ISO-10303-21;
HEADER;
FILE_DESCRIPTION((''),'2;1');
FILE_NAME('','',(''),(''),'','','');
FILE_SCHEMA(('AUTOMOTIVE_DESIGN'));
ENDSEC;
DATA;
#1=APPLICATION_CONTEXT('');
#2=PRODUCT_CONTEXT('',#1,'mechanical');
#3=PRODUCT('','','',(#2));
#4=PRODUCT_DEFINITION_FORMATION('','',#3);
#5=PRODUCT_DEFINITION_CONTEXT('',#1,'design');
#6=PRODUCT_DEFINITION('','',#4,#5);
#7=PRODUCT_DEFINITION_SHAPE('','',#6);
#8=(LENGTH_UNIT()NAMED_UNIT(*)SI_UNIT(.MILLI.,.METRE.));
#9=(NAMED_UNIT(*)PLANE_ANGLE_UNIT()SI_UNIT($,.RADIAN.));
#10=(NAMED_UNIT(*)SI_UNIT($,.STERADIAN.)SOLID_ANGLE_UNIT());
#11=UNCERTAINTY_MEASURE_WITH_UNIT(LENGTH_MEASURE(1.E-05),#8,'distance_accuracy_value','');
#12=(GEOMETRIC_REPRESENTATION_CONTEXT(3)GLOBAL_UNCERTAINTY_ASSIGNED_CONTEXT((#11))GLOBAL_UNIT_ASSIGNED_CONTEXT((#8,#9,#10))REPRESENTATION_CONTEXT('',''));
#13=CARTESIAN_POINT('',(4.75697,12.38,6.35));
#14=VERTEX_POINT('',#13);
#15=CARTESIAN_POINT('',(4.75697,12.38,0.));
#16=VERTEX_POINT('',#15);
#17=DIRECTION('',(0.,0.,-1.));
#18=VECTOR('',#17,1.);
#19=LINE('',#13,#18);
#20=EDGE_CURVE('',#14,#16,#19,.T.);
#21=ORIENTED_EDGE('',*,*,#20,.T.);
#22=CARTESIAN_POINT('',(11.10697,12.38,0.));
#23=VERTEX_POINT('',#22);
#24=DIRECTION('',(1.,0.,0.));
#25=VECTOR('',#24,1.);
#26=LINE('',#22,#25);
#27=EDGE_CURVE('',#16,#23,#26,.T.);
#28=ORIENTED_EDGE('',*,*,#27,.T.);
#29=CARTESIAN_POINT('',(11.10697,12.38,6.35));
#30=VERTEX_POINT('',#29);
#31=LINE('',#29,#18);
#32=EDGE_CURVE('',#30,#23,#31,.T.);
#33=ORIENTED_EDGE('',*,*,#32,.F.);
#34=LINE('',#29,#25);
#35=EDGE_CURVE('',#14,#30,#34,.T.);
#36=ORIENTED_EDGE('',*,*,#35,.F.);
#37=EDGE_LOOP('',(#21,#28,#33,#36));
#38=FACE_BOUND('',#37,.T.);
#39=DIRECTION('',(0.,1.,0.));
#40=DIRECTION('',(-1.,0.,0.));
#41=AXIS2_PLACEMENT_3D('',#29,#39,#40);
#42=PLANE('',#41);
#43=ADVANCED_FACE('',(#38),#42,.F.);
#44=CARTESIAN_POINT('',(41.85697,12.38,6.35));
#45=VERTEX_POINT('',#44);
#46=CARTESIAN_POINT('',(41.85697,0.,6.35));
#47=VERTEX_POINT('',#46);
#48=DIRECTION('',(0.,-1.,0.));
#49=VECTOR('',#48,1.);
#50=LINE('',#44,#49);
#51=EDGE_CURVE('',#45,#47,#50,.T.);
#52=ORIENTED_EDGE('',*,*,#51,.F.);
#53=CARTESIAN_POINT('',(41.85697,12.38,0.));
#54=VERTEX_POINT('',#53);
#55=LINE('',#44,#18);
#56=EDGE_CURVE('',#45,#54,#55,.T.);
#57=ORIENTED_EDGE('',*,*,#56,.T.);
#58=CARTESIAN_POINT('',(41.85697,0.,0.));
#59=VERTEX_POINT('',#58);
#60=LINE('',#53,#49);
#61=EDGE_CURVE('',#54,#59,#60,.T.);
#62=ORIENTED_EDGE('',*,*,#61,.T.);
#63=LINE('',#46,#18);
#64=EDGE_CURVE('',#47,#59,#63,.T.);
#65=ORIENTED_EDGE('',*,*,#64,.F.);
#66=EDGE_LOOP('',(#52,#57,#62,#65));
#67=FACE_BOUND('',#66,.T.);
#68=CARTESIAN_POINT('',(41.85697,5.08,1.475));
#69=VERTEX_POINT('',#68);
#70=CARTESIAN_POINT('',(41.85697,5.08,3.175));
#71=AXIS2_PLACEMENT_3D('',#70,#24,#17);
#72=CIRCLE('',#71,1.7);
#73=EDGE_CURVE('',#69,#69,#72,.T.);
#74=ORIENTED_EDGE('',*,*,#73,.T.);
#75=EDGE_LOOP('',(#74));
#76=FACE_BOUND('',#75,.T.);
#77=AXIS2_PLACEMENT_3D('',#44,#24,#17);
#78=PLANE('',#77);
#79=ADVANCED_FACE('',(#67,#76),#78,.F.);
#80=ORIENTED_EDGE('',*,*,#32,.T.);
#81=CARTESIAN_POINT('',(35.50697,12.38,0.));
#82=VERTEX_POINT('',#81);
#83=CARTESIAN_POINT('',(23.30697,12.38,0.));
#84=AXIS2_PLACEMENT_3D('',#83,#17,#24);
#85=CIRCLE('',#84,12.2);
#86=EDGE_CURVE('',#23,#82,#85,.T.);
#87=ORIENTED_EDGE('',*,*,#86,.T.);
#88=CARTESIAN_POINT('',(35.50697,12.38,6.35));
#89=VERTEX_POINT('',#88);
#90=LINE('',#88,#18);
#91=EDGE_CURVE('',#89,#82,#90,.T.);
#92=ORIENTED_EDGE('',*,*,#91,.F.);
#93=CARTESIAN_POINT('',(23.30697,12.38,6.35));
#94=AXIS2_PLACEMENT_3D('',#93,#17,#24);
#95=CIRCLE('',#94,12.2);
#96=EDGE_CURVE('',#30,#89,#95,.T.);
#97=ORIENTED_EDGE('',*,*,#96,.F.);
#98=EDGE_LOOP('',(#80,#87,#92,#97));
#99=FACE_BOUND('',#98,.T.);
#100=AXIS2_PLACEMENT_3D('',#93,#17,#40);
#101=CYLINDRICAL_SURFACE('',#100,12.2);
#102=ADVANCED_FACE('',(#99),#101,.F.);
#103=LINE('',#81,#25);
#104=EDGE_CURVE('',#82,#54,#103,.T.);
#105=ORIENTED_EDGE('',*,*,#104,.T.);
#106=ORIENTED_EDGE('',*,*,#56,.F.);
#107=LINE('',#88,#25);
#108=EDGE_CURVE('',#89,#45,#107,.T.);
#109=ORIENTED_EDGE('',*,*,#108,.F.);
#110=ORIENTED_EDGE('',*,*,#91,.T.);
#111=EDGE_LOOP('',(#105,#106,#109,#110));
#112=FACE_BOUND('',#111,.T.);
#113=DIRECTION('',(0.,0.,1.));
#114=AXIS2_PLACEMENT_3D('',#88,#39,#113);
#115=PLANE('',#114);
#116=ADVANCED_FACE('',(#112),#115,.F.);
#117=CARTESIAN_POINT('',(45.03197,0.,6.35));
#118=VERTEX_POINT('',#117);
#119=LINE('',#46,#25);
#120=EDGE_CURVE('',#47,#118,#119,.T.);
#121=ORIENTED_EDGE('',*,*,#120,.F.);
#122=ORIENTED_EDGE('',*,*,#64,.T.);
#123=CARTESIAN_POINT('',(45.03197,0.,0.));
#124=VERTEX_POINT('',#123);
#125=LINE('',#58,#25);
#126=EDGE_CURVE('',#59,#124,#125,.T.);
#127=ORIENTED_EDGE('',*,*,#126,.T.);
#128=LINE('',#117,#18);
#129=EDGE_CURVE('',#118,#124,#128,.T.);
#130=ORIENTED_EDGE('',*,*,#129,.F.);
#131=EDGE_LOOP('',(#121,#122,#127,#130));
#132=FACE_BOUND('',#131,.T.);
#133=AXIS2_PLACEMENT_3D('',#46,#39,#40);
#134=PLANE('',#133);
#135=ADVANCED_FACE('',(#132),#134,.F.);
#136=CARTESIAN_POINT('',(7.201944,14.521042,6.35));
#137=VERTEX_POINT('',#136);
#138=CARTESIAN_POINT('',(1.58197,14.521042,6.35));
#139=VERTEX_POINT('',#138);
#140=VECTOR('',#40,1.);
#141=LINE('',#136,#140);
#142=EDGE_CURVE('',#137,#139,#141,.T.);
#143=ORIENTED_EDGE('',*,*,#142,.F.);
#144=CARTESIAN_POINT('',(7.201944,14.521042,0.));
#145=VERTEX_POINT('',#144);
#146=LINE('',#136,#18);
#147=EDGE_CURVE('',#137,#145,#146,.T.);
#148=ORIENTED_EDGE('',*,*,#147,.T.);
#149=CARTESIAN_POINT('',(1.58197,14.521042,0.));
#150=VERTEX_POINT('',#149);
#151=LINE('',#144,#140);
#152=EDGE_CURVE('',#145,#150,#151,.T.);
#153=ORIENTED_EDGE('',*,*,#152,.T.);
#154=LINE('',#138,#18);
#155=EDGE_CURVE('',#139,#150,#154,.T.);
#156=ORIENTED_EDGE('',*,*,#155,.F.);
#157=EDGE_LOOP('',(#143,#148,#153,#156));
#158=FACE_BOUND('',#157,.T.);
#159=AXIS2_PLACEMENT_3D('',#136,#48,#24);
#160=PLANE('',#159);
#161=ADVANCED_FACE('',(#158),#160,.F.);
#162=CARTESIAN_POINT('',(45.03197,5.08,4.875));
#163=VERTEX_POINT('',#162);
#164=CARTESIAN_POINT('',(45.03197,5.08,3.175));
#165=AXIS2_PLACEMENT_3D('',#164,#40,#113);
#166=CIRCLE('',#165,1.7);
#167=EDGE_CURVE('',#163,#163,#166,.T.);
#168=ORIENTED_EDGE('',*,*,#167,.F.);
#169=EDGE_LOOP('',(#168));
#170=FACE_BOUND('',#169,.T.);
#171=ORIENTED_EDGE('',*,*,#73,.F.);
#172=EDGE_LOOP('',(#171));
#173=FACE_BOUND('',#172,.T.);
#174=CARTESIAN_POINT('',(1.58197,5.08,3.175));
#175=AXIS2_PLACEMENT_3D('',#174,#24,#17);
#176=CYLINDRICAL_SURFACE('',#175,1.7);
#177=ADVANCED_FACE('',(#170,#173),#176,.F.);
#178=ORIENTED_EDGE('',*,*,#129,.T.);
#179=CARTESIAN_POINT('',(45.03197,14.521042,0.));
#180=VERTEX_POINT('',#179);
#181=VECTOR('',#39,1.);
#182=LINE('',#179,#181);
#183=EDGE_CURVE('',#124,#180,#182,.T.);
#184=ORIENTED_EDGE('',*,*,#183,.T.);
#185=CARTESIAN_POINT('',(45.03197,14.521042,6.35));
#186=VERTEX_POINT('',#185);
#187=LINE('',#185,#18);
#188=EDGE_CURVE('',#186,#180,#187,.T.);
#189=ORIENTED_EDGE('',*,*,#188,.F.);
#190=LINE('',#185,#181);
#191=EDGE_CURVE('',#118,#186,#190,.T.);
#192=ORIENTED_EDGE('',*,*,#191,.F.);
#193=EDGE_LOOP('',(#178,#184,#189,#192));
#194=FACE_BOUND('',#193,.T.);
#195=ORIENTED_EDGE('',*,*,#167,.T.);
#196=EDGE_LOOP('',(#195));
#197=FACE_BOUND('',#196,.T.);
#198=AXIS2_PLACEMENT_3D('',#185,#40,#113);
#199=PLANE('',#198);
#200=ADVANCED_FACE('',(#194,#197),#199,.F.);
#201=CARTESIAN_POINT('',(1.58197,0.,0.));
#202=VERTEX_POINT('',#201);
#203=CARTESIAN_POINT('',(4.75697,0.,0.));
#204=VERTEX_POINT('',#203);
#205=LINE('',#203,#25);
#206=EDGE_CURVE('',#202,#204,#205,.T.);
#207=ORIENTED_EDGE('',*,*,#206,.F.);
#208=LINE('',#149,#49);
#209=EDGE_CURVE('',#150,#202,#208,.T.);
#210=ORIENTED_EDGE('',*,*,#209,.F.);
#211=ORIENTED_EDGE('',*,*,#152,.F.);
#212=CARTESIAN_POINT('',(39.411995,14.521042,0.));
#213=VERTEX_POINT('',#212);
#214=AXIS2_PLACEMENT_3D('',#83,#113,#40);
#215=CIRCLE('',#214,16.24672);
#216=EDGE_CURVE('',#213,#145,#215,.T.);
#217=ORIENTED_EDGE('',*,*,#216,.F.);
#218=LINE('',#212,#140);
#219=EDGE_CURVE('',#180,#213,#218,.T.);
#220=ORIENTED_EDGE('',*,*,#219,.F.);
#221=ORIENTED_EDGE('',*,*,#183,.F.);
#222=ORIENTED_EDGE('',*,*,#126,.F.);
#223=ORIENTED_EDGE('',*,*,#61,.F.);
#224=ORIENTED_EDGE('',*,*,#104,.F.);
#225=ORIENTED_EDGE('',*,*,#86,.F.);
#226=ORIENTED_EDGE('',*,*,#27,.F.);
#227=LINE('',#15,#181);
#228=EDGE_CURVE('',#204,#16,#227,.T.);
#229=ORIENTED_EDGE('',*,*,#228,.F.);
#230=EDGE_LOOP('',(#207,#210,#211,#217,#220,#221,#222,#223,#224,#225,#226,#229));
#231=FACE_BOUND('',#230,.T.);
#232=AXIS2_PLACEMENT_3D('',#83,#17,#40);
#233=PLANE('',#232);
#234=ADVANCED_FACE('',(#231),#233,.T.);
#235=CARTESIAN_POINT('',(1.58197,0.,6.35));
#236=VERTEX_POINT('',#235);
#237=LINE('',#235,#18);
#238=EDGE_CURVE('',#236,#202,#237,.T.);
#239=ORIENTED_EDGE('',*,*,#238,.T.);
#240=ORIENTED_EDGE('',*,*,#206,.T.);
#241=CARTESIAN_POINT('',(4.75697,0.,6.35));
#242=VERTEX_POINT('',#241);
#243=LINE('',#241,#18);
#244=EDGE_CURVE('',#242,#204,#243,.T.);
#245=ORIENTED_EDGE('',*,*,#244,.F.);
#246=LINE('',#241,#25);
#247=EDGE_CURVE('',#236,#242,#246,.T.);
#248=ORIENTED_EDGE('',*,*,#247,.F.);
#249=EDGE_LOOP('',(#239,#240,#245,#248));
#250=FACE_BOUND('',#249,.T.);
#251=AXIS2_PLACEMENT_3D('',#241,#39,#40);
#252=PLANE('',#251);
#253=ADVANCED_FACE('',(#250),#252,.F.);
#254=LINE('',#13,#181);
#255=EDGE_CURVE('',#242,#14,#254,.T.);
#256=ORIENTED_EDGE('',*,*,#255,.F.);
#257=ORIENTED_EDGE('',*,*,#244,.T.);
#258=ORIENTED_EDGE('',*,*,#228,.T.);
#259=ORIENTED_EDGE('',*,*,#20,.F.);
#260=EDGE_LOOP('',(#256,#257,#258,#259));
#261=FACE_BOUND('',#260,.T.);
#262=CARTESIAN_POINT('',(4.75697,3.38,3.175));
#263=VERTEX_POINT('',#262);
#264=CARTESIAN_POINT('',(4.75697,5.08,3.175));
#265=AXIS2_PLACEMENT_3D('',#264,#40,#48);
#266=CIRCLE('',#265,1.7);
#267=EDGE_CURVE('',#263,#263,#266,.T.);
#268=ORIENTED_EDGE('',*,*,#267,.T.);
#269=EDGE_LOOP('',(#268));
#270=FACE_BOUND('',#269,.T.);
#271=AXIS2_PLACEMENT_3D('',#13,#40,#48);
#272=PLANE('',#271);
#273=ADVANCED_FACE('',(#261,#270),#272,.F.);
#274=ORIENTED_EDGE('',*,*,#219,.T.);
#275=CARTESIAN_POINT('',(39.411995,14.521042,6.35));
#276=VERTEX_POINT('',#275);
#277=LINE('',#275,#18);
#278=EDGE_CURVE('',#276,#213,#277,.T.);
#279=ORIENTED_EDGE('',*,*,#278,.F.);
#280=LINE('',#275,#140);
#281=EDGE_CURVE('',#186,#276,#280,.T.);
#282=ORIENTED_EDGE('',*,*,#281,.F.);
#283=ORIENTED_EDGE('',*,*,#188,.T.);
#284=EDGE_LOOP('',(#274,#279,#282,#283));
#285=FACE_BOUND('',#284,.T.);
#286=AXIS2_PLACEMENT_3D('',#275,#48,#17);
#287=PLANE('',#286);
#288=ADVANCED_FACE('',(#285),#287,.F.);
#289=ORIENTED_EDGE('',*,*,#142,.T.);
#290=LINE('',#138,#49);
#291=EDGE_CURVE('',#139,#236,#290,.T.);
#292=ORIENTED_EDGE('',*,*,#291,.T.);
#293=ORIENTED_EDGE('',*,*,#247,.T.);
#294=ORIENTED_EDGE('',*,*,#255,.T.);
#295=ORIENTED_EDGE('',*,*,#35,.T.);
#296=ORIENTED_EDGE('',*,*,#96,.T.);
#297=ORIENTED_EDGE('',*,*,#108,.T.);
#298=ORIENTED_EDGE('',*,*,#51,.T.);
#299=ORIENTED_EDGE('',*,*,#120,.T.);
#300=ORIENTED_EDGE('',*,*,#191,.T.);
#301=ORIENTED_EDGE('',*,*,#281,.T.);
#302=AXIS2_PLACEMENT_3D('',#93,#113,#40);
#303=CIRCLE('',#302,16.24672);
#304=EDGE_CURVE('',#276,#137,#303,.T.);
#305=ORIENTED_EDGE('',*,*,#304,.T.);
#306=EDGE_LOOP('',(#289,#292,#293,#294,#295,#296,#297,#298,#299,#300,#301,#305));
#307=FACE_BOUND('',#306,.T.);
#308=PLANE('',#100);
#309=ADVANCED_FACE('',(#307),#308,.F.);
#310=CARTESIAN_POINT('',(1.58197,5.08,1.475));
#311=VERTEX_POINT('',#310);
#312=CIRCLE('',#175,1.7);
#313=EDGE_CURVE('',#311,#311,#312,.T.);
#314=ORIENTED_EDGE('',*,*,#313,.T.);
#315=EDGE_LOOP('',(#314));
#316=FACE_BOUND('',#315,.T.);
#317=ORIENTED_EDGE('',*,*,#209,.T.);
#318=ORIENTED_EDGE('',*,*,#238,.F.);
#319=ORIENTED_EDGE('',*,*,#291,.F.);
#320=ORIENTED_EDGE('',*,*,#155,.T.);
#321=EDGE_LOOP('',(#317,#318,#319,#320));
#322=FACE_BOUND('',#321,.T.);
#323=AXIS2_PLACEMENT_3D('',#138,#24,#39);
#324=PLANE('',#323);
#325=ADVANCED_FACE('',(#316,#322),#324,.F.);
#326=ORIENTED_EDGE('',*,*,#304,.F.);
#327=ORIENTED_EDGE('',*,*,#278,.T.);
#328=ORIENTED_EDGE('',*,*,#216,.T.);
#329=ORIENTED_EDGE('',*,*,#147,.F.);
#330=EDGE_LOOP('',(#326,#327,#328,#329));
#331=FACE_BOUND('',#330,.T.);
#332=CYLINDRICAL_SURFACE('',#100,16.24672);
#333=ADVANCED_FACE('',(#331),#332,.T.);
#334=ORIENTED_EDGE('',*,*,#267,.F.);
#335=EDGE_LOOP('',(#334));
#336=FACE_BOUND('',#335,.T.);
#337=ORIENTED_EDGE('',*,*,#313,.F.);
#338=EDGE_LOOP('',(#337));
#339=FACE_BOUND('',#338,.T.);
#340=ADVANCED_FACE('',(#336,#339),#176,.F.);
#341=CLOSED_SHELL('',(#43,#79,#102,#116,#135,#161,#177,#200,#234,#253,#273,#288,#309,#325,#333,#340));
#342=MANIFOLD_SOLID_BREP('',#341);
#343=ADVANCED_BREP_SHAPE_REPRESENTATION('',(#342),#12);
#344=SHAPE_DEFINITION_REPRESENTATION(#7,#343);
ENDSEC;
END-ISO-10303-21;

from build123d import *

# Parameters (mm, degrees)
BOSS_EXTRUDE1_DEPTH     = 6.35
CUT_EXTRUDE1_DEPTH      = 53.418642591
CUT_EXTRUDE1_DEPTH_BACK = 53.418642591
SKETCH2_R               = 1.7


with BuildPart() as part:
    # Sketch1 → Boss-Extrude1 (new body)
    with BuildSketch(Plane.XY):
        with BuildLine():
            Line((39.411995156, 14.521042354), (45.031969649, 14.521042354))
            Line((45.031969649, 14.521042354), (45.031969649, 0))
            Line((45.031969649, 0), (41.856969649, 0))
            Line((41.856969649, 0), (41.856969649, 12.38))
            Line((41.856969649, 12.38), (35.506969649, 12.38))
            ThreePointArc((35.506969649, 12.38), (23.306969665, 24.579999984), (11.106969681, 12.38))
            Line((11.106969681, 12.38), (4.756969681, 12.38))
            Line((4.756969681, 12.38), (4.756969681, 0))
            Line((4.756969681, 0), (1.581969681, 0))
            Line((1.581969681, 0), (1.581969681, 14.521042354))
            Line((1.581969681, 14.521042354), (7.201944173, 14.521042354))
            ThreePointArc((7.201944173, 14.521042354), (23.306969665, 28.626719929), (39.411995156, 14.521042354))
        make_face()
    extrude(amount=BOSS_EXTRUDE1_DEPTH)

    # Sketch2 → Cut-Extrude1 (cut, two sides: drawn at the far end of the back side and taken through both)
    with BuildSketch(Plane(origin=(45.031969649, 0, 0), x_dir=(0, 0, -1), z_dir=(1, 0, 0)).offset(-CUT_EXTRUDE1_DEPTH_BACK)):
        with Locations((-3.175, 5.08)):
            Circle(SKETCH2_R)
    extrude(amount=CUT_EXTRUDE1_DEPTH + CUT_EXTRUDE1_DEPTH_BACK, mode=Mode.SUBTRACT)


solid = part.part
